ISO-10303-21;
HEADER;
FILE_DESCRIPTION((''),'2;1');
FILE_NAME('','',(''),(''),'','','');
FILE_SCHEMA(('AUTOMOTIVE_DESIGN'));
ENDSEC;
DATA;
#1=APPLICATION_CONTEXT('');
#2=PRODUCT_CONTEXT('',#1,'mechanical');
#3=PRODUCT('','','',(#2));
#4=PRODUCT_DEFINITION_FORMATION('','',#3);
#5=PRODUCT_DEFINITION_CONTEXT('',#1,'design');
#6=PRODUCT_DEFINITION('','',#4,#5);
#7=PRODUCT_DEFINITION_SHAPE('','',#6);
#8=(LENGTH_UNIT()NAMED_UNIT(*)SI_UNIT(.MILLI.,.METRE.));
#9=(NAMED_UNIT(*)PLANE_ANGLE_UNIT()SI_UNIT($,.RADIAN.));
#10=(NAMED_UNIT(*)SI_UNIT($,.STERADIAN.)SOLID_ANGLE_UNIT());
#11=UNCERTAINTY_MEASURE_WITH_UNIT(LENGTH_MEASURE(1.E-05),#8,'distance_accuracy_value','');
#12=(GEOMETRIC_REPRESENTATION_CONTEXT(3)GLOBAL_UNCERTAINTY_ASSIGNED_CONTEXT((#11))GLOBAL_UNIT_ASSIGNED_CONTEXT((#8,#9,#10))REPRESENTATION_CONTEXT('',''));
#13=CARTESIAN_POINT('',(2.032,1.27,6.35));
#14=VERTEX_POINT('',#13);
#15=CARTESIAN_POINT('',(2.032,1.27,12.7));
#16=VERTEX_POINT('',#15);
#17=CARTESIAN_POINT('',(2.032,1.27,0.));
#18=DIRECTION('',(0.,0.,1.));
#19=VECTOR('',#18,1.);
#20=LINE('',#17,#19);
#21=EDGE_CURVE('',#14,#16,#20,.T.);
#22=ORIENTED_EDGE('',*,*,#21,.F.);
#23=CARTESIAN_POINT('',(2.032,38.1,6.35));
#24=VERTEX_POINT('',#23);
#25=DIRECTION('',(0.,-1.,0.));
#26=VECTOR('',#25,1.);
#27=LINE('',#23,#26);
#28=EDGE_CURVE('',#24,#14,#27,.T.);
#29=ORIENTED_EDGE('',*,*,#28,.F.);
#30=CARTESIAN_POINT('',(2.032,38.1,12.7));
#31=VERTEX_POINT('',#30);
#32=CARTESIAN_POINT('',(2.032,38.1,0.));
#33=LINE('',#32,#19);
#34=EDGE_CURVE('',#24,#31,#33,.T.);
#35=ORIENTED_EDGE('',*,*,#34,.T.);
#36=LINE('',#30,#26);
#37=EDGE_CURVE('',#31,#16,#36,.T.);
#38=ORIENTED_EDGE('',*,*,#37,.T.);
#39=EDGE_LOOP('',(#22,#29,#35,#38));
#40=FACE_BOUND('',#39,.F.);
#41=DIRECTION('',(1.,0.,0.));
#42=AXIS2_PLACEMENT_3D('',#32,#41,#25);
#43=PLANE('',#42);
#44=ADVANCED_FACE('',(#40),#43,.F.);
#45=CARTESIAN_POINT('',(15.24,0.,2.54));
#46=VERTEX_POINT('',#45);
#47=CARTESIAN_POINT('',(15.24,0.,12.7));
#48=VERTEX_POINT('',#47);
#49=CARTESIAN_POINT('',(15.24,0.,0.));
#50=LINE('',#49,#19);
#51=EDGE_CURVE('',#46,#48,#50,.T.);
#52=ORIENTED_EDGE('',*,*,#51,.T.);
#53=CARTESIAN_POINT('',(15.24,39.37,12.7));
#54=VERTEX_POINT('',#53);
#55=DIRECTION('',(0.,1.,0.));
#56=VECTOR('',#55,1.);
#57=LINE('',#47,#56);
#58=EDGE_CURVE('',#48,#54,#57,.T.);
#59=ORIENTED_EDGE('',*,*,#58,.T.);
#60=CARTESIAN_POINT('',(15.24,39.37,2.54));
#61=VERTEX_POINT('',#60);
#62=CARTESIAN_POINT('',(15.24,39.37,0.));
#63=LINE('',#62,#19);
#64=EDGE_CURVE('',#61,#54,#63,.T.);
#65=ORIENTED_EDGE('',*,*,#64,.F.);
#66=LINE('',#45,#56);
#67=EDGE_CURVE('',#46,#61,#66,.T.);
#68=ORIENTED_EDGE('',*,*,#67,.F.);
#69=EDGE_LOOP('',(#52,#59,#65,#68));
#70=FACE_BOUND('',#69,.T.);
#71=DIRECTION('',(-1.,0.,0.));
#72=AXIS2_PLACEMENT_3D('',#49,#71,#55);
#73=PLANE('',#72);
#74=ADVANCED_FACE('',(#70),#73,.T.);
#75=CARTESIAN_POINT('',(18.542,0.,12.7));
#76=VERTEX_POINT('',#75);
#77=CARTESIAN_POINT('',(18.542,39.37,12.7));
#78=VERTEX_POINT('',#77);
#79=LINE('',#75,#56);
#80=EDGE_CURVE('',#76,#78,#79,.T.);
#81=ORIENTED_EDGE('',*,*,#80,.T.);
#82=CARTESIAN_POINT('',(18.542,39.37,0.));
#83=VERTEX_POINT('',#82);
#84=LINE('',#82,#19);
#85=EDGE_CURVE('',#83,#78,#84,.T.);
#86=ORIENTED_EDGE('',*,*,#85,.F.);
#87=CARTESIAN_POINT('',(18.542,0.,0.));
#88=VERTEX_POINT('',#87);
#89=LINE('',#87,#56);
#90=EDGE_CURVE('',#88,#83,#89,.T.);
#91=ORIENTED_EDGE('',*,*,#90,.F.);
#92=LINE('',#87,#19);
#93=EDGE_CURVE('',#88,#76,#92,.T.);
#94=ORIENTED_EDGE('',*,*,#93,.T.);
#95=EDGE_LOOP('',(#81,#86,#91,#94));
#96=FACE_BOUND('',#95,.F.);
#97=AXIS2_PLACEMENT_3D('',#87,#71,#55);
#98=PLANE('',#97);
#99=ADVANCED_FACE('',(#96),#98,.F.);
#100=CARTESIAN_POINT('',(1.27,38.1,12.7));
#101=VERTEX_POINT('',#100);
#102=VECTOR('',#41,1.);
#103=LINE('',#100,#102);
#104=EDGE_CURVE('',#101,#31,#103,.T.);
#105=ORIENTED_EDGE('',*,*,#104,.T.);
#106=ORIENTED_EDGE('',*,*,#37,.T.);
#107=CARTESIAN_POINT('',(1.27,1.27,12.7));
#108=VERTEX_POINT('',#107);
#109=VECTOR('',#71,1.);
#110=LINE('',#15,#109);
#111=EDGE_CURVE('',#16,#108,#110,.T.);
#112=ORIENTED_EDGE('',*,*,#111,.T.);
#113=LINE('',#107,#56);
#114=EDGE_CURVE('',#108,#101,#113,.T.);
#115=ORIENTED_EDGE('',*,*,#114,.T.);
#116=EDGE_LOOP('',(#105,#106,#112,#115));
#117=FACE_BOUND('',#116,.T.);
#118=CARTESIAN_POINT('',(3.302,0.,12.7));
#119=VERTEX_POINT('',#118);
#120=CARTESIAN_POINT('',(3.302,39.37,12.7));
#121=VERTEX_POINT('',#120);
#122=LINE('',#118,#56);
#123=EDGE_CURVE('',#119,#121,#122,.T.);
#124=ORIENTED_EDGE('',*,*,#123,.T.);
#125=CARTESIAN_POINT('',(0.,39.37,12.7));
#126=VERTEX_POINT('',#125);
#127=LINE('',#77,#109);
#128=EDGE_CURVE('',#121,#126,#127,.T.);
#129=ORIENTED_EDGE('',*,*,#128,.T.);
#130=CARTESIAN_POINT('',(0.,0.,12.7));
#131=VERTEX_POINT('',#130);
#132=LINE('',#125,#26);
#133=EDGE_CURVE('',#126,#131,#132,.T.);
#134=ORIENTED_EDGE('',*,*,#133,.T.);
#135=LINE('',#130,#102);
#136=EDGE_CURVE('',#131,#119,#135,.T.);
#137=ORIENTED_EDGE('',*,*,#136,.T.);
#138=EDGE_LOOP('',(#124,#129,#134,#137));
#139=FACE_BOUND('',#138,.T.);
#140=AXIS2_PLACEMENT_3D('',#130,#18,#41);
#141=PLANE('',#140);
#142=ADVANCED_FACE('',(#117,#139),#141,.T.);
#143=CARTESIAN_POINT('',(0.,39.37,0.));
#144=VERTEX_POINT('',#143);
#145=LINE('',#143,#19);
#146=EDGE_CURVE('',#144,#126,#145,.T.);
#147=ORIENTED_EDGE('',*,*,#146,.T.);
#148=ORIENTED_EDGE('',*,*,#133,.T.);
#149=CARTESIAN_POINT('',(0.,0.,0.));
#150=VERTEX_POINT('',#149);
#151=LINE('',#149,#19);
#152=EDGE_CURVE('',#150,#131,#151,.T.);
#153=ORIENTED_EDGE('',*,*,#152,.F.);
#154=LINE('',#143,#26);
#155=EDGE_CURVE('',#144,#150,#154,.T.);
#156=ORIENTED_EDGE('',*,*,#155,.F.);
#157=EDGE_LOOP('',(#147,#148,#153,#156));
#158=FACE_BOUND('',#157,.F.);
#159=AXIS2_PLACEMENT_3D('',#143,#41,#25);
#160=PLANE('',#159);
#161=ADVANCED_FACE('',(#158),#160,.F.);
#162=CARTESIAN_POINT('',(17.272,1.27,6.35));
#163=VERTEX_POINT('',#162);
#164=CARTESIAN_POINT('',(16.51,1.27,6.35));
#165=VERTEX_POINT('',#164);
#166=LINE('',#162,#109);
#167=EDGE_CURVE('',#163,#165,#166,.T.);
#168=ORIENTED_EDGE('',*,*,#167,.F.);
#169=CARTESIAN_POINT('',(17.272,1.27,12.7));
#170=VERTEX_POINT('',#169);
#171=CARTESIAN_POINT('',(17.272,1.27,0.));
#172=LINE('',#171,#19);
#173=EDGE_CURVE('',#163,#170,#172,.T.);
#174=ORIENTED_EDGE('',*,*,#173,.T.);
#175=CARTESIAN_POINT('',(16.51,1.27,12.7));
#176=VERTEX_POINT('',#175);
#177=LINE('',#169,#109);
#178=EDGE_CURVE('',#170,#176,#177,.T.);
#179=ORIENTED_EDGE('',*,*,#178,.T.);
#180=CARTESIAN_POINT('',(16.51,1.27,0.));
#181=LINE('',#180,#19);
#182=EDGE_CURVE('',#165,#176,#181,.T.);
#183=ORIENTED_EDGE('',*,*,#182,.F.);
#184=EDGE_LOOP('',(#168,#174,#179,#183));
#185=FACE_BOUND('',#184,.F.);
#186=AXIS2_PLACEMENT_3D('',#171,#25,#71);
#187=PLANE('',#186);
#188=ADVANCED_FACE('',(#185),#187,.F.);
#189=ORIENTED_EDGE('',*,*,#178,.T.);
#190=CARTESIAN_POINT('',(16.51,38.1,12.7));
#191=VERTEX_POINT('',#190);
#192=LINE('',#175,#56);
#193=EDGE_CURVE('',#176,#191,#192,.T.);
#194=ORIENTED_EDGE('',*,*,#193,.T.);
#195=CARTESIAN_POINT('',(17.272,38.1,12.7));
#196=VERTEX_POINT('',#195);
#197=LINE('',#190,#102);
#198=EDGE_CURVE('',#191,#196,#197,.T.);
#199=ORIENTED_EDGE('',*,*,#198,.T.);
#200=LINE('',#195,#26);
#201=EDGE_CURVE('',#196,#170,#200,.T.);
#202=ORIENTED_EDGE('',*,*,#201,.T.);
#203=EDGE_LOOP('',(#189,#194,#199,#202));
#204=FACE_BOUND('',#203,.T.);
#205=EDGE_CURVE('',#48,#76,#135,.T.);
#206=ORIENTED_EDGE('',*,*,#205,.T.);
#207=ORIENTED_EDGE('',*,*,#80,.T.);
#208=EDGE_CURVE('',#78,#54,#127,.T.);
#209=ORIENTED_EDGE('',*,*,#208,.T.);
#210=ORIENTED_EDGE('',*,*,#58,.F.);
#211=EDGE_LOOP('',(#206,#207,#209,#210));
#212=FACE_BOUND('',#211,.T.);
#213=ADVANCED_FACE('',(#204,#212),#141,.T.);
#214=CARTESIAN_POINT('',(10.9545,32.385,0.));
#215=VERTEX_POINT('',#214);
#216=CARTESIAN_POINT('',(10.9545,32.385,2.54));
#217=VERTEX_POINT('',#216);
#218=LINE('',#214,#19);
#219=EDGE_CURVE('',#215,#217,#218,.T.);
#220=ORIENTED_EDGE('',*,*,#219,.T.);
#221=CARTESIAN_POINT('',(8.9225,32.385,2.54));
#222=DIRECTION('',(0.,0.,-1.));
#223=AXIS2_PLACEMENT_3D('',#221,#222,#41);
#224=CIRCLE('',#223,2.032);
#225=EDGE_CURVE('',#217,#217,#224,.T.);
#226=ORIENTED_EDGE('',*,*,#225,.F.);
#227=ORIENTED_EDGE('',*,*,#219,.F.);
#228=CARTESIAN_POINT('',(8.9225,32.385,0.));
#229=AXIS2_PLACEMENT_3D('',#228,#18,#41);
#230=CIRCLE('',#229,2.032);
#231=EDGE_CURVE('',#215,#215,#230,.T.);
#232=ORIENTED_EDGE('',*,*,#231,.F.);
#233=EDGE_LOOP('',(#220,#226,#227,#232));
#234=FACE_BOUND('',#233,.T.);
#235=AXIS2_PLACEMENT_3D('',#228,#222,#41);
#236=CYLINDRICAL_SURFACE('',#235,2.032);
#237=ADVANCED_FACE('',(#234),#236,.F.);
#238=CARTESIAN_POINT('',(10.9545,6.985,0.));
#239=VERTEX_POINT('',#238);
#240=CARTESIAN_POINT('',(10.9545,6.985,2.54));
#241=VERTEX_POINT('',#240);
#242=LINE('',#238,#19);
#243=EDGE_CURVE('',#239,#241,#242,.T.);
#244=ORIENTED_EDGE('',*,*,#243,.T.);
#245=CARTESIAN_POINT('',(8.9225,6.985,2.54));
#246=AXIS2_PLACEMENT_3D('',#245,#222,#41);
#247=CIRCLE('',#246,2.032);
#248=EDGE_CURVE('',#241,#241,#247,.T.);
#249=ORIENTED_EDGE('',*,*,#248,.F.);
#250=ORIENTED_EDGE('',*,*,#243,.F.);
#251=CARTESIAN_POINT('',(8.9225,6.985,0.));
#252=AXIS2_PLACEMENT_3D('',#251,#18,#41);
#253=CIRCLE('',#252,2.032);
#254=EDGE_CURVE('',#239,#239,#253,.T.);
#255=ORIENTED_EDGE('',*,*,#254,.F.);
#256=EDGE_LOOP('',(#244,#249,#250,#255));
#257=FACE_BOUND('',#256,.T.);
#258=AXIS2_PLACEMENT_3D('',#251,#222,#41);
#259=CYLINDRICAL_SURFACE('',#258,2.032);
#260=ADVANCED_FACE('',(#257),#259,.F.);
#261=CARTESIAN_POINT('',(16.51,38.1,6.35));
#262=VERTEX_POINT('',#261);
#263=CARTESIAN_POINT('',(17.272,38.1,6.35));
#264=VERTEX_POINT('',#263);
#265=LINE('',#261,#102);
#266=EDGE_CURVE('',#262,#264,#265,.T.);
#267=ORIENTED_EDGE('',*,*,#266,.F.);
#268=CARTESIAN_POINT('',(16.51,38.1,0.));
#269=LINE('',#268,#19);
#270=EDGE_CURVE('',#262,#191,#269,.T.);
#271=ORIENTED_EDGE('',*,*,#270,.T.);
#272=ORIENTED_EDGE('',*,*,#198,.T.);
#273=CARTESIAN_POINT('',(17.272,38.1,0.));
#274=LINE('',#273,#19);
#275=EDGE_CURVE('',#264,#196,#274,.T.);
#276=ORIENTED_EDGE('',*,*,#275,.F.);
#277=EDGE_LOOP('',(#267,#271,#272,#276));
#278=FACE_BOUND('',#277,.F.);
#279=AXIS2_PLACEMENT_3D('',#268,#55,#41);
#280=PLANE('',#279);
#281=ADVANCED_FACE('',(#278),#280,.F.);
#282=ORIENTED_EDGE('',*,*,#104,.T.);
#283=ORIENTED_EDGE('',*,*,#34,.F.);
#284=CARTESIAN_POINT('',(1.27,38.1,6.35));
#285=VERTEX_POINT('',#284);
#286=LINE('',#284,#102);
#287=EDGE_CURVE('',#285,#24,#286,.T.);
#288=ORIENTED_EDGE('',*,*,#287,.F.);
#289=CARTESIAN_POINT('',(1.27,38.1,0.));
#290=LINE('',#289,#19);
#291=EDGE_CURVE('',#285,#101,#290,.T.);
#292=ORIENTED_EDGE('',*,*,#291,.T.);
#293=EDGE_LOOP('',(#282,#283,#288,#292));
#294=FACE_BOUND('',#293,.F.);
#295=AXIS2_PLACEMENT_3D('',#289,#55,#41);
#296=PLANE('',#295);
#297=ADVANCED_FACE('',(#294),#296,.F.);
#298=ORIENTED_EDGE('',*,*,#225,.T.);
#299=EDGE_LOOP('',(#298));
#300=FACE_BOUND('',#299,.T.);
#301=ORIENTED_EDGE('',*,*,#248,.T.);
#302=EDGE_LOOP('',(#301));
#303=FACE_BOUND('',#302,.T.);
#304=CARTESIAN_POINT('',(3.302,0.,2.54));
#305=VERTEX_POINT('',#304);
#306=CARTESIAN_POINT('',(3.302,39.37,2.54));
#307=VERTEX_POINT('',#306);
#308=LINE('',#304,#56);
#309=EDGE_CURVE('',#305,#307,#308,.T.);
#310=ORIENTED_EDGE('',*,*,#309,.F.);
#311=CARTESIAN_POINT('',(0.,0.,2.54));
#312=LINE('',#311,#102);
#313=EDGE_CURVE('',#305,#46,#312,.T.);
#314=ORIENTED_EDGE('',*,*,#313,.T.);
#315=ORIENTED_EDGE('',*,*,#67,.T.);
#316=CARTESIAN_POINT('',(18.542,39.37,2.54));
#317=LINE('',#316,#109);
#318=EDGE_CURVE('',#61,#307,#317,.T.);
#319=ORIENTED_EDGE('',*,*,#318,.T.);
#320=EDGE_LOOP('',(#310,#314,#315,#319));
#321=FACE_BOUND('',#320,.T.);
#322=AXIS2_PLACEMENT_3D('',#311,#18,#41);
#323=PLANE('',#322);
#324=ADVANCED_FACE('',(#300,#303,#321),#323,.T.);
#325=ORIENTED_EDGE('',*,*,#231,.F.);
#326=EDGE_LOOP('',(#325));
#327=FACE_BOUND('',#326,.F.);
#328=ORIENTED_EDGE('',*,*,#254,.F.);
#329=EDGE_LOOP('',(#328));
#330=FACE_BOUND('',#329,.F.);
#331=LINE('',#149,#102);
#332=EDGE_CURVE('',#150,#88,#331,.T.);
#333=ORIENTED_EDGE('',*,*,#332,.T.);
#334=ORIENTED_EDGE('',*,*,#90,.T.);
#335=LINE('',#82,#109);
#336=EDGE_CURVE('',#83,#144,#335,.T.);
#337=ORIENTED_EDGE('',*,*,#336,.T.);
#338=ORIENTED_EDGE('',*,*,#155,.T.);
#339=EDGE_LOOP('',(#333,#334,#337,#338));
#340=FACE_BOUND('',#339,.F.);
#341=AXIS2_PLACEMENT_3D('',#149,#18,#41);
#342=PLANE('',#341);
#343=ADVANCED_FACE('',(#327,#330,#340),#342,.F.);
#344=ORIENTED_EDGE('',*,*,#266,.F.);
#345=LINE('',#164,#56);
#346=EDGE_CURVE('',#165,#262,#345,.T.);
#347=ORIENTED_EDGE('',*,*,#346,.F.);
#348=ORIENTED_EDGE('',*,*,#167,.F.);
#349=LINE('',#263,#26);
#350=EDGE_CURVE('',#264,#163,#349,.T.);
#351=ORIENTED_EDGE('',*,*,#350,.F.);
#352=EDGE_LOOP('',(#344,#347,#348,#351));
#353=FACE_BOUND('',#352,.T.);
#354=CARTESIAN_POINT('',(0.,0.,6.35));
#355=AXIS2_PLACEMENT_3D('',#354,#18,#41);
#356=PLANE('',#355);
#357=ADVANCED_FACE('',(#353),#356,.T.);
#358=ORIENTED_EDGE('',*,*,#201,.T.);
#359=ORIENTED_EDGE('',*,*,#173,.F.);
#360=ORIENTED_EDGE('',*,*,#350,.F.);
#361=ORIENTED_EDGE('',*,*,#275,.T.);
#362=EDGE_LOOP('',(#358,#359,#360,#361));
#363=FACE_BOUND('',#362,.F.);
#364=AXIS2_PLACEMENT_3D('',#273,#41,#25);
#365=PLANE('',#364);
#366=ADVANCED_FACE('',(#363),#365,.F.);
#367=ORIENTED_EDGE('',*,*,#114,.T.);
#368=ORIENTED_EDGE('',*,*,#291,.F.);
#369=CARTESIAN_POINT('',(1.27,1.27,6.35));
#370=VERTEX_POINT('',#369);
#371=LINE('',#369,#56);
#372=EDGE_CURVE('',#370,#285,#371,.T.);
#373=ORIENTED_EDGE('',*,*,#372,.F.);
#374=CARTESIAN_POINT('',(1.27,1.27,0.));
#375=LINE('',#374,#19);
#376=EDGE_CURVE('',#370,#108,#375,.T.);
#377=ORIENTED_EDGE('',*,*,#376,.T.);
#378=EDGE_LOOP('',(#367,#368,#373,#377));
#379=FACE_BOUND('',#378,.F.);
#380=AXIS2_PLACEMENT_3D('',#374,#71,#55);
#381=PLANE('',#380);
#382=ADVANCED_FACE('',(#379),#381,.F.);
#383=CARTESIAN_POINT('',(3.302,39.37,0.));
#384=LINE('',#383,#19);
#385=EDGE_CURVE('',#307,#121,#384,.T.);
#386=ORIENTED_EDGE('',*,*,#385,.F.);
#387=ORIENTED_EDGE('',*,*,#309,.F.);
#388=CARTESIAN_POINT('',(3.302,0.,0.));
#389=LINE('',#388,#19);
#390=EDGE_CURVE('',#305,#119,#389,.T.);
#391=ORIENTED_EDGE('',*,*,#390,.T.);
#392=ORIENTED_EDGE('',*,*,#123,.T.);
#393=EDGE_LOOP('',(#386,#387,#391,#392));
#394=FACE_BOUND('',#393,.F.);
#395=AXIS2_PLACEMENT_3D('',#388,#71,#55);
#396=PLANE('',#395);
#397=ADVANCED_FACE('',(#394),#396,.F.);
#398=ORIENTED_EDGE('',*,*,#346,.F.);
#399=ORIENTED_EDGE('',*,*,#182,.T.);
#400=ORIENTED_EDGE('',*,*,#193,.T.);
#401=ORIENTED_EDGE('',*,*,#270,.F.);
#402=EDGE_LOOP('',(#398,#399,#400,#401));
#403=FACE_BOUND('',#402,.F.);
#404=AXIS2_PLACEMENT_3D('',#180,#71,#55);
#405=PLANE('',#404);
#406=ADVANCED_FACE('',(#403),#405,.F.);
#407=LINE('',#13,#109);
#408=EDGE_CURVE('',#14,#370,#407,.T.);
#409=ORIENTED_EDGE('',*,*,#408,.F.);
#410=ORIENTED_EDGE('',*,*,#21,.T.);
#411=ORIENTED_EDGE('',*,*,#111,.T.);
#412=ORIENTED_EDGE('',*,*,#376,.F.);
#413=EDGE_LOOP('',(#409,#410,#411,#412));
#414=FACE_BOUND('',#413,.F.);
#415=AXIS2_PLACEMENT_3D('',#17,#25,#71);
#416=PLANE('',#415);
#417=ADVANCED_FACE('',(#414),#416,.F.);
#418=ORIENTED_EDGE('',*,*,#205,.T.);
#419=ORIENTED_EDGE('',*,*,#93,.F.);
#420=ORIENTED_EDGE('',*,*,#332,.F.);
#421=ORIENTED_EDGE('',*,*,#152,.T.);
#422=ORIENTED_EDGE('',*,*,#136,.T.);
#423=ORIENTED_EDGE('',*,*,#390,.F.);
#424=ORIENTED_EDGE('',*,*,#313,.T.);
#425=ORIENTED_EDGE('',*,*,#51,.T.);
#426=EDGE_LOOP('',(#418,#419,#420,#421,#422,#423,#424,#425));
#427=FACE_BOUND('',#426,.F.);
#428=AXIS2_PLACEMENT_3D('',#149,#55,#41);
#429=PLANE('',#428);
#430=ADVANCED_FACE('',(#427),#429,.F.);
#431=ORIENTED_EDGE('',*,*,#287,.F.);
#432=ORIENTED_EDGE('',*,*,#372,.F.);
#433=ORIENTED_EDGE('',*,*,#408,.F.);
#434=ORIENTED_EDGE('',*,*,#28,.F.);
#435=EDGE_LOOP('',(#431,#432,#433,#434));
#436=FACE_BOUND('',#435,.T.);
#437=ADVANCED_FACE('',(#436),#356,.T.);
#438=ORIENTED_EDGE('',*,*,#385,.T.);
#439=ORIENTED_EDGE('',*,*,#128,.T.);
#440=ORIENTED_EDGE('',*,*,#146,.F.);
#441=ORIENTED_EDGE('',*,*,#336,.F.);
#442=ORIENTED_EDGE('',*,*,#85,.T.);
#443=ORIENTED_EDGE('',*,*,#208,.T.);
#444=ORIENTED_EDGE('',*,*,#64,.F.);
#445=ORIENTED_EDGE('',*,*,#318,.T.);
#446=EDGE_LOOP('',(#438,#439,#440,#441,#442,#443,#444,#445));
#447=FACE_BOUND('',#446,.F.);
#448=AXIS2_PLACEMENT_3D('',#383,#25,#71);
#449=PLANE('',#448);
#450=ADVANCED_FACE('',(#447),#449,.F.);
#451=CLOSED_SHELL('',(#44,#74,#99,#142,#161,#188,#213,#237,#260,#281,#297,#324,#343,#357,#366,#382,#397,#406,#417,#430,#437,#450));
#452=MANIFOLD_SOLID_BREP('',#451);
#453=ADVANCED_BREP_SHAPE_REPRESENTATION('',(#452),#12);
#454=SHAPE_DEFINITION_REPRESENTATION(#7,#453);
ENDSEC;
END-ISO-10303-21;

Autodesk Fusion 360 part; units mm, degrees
sketch "Sketch1" plane through (0, 0, 0) normal (0, 0, 1) x (1, 0, 0)
  line L0 (0, 0) -> (18.542, 0)
  line L1 (18.542, 0) -> (18.542, 39.37)
  line L2 (18.542, 39.37) -> (0, 39.37)
  line L3 (0, 39.37) -> (0, 0)
  line L4 (3.302, 0) -> (3.302, 39.37)
  line L5 (15.24, 0) -> (15.24, 39.37)
  line L6 (16.51, 38.1) -> (17.272, 38.1)
  line L7 (17.272, 38.1) -> (17.272, 1.27)
  line L8 (17.272, 1.27) -> (16.51, 1.27)
  line L9 (16.51, 1.27) -> (16.51, 38.1)
  line L10 (1.27, 38.1) -> (2.032, 38.1)
  line L11 (2.032, 38.1) -> (2.032, 1.27)
  line L12 (2.032, 1.27) -> (1.27, 1.27)
  line L13 (1.27, 1.27) -> (1.27, 38.1)
  line L14 (-1.6611, 32.385) -> (20.0985, 32.385) construction
  line L15 (-1.6611, 6.985) -> (20.0985, 6.985) construction
  line L16 (8.9225, 41.0496) -> (8.9225, -1.9164) construction
  circle A0 centre (8.9225, 32.385) radius 2.032
  circle A1 centre (8.9225, 6.985) radius 2.032
  dimension "d1" = 18.542
  dimension "d2" = 39.37
  dimension "d3" = 3.302
  dimension "d4" = 3.302
  dimension "d5" = 36.83
  dimension "d6" = 1.27
  dimension "d7" = 0.762
  dimension "d8" = 1.27
  dimension "d9" = 36.83
  dimension "d11" = 0.762
  dimension "d12" = 1.27
  dimension "d13" = 1.27
  dimension "d26" = 6.985
  dimension "d27" = 6.985
  dimension "d28" = 4.064
  dimension "d29" = 4.064
extrude "Extrude1" add sketch "Sketch1" along normal blind 2.54 contours L0 L2 L4 L5 | A0 | A1
extrude "Extrude2" add sketch "Sketch1" along normal blind 12.7 contours L0 L1 L2 L5
extrude "Extrude3" add sketch "Sketch1" along normal blind 12.7 contours L0 L2 L3 L4
extrude "Extrude4" add sketch "Sketch1" along normal blind 6.35 contours L6 L7 L8 L9
extrude "Extrude5" add sketch "Sketch1" along normal blind 6.35 contours L10 L11 L12 L13
extrude "Extrude6" cut sketch "Sketch1" along normal through all contours A0
extrude "Extrude7" cut sketch "Sketch1" along normal through all contours A1
